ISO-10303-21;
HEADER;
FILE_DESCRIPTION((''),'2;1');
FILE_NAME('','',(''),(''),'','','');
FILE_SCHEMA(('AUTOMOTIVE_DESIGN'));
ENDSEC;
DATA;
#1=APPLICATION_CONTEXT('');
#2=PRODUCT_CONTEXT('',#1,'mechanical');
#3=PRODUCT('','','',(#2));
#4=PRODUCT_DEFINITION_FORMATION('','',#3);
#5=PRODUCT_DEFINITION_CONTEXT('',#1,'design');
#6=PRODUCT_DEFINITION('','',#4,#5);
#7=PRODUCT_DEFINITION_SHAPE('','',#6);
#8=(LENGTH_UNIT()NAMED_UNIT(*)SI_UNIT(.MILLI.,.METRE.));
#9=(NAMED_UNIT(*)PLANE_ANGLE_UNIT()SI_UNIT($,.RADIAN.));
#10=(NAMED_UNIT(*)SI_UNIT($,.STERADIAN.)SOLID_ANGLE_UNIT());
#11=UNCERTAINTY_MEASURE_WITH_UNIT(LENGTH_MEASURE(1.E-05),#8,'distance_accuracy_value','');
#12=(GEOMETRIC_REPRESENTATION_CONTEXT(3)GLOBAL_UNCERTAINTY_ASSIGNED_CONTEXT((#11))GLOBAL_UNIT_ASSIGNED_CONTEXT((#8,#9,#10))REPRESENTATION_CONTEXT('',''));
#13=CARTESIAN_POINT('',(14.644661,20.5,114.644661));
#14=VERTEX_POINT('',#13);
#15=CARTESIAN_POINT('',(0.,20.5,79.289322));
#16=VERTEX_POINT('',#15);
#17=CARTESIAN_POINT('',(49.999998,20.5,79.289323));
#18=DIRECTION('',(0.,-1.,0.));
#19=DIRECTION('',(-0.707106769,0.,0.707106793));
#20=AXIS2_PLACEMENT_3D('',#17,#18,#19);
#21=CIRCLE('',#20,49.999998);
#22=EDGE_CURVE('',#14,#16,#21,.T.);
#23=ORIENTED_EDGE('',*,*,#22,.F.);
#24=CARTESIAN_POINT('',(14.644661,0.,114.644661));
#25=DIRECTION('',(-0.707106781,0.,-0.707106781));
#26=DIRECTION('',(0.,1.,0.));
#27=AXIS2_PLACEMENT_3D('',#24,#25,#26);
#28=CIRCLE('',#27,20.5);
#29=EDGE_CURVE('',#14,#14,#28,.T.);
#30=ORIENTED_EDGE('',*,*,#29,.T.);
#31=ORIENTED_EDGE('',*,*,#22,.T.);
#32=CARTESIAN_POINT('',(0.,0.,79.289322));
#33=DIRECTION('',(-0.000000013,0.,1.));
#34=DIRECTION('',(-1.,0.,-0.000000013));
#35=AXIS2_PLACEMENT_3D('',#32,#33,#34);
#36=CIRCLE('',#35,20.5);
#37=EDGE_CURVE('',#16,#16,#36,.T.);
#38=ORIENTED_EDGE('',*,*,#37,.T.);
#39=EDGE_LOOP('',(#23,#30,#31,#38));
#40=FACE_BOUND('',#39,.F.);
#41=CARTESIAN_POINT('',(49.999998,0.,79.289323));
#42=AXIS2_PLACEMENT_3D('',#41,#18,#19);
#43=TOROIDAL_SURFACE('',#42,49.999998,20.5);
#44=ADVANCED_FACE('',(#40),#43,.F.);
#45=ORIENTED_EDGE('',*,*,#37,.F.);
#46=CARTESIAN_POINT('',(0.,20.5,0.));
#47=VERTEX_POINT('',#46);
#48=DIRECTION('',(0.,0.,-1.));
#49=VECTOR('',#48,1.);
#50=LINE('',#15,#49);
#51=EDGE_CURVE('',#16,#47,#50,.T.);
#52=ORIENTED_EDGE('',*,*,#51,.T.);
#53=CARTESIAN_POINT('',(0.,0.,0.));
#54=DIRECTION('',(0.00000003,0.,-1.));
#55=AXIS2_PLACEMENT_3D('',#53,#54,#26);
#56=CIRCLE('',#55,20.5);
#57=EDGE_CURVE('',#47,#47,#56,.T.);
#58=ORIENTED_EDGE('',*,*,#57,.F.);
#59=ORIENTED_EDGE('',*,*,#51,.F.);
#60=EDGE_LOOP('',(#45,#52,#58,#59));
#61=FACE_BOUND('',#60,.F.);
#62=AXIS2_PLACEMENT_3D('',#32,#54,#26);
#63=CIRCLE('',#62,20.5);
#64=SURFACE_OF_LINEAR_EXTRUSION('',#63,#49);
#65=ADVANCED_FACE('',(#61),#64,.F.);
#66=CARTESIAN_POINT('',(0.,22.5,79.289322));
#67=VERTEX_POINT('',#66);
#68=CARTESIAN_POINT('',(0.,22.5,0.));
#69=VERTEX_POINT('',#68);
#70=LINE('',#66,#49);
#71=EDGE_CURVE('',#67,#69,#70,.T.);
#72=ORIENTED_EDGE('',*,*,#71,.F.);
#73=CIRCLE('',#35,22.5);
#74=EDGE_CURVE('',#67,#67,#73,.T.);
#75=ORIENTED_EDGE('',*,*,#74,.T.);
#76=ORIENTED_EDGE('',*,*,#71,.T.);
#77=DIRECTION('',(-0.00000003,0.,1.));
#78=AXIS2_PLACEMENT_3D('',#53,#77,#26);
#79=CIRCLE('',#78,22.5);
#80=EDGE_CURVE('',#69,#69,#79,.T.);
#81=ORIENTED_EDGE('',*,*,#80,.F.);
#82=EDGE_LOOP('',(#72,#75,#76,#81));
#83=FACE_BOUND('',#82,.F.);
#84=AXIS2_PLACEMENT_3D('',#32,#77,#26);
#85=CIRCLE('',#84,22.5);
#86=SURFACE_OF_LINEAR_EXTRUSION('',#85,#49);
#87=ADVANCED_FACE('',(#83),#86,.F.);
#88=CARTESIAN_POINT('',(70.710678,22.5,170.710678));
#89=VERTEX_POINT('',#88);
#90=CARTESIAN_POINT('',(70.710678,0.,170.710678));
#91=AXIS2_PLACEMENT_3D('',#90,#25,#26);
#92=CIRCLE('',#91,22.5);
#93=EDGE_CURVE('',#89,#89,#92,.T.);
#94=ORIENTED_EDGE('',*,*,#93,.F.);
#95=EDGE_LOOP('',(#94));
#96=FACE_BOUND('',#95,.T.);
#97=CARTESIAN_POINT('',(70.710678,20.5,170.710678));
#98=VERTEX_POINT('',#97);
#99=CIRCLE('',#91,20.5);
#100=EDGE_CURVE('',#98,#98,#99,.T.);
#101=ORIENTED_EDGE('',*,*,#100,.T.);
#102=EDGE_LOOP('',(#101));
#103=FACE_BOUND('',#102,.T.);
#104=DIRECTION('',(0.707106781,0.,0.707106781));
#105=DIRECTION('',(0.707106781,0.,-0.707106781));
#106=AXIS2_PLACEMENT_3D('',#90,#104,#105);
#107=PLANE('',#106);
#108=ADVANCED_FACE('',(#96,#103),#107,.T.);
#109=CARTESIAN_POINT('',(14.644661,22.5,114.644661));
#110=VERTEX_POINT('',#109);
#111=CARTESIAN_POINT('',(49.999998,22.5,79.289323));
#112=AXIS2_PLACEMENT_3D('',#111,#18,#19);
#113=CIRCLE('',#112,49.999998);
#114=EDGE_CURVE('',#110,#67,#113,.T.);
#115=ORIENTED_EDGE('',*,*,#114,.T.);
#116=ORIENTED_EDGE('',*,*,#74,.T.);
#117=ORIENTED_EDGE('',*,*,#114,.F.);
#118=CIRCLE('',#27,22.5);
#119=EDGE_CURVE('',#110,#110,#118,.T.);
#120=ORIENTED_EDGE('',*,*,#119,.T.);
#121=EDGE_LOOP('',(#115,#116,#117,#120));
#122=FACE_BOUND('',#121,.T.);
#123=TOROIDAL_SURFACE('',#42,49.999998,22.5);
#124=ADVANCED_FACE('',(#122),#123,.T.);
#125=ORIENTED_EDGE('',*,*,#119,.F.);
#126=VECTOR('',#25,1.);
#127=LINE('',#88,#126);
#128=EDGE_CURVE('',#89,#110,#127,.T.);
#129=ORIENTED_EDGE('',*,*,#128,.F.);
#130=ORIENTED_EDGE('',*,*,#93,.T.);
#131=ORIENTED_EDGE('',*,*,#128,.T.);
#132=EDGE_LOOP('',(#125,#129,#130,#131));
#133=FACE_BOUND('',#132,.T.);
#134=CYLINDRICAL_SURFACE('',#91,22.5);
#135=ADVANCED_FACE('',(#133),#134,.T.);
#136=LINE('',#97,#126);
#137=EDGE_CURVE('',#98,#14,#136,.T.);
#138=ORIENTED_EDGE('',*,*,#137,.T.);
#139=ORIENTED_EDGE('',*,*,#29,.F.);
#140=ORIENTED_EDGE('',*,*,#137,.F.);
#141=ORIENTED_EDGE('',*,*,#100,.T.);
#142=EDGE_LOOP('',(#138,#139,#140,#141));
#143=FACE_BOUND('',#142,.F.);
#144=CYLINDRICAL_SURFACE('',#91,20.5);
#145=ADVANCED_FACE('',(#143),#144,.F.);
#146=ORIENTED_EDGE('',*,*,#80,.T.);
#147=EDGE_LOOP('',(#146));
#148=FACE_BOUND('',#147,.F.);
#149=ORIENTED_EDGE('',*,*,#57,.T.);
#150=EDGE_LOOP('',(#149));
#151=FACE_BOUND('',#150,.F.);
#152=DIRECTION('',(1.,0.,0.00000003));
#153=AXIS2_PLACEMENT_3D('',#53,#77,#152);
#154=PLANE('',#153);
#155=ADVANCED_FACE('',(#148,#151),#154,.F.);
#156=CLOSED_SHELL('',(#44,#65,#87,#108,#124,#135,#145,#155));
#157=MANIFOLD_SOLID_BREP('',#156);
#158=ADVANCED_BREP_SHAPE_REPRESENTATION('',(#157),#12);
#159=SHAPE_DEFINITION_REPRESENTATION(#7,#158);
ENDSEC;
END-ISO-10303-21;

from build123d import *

# Parameters (mm, degrees)
F4_R   = 22.5
F4_R_2 = 20.5


with BuildPart() as f5:
    # F5: sweep along a path in F0
    with BuildLine(Plane.XZ) as f5_path:
        Line((70.710678, 170.710678), (14.644661, 114.644661))
        ThreePointArc((14.644661, 114.644661), (3.806023, 98.423493), (0, 79.289322))
        Line((0, 79.289322), (0, 0))
    # F4 (on face) → F5 (sweep)
    with BuildSketch(Plane(origin=(120.710678, 0, 120.710678), x_dir=(0, 1, 0), z_dir=(0.707107, 0, 0.707107))):
        with Locations((0, 70.710678)):
            Circle(F4_R)
        with Locations((0, 70.710678)):
            Circle(F4_R_2, mode=Mode.SUBTRACT)
    sweep(path=f5_path.line)


solid = f5.part
